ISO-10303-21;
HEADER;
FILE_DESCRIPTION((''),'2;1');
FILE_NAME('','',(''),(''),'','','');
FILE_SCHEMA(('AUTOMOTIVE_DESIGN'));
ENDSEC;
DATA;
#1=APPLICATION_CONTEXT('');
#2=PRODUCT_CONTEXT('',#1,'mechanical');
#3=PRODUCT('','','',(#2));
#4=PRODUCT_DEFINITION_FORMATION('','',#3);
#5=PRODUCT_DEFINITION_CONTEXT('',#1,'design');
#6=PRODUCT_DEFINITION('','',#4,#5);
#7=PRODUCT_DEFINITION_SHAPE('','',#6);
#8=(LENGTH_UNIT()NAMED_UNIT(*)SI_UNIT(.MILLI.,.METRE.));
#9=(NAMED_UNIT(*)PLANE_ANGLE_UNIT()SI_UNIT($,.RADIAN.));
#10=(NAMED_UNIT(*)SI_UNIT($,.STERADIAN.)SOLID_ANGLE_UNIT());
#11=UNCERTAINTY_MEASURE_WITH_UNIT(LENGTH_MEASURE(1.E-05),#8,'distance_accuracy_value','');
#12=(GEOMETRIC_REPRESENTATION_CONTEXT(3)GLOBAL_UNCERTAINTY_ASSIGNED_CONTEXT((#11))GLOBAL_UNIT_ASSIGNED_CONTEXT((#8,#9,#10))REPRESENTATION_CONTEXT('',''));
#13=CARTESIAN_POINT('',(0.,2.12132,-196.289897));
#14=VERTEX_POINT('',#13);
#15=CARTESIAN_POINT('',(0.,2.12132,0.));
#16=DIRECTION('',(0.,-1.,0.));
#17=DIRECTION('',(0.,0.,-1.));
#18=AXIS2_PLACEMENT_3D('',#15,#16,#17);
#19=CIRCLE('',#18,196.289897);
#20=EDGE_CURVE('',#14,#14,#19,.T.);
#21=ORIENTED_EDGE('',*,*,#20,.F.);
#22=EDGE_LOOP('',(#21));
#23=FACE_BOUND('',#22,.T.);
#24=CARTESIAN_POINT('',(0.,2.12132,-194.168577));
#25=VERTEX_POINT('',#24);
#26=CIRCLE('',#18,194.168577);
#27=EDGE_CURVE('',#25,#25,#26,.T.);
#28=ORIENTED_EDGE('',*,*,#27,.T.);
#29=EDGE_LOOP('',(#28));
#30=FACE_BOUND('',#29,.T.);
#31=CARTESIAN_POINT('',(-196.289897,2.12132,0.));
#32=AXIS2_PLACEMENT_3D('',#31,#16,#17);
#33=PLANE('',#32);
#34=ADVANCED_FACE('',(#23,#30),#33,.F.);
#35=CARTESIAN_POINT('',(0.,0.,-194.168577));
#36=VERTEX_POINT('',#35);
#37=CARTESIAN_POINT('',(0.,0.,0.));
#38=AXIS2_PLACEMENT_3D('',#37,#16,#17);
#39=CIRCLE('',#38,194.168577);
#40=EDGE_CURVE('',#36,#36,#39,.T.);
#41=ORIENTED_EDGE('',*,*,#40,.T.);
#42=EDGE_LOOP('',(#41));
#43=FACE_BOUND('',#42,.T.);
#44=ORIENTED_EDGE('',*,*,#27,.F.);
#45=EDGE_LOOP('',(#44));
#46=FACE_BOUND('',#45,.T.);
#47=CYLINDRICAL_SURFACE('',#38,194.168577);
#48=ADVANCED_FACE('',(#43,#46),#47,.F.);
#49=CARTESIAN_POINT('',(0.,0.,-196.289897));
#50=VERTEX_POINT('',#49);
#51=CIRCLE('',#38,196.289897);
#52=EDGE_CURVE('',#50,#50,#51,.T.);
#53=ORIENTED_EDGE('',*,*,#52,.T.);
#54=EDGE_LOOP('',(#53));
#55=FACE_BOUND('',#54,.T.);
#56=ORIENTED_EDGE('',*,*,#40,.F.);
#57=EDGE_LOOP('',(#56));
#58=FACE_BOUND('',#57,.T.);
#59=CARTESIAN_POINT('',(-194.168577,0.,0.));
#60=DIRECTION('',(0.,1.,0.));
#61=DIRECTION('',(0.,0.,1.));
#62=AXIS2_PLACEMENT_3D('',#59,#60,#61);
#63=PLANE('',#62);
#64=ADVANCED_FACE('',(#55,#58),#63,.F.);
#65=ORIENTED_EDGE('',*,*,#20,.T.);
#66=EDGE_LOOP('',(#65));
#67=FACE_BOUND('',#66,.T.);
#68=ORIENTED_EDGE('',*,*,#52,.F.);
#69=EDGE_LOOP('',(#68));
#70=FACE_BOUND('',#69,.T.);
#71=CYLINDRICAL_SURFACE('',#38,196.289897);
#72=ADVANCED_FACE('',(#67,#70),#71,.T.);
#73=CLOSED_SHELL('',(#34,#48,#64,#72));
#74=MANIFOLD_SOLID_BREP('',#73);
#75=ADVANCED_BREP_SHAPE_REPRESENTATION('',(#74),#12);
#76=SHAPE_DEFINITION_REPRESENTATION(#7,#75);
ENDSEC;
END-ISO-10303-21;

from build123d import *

# Parameters (mm, degrees)
SKETCH1_W = 2.121320343
SKETCH1_H = 2.121320344


with BuildPart() as part:
    # Sketch1 → Revolve1 (revolve)
    with BuildSketch(Plane.XY, mode=Mode.PRIVATE) as revolve1_sk:
        with Locations((-195.229236694, 1.060660172)):
            Rectangle(SKETCH1_W, SKETCH1_H)
    revolve(revolve1_sk.sketch.rotate(Axis((0, 0, 0), (0, 1, 0)), 270), axis=Axis((0, 0, 0), (0, 1, 0)))


solid = part.part
